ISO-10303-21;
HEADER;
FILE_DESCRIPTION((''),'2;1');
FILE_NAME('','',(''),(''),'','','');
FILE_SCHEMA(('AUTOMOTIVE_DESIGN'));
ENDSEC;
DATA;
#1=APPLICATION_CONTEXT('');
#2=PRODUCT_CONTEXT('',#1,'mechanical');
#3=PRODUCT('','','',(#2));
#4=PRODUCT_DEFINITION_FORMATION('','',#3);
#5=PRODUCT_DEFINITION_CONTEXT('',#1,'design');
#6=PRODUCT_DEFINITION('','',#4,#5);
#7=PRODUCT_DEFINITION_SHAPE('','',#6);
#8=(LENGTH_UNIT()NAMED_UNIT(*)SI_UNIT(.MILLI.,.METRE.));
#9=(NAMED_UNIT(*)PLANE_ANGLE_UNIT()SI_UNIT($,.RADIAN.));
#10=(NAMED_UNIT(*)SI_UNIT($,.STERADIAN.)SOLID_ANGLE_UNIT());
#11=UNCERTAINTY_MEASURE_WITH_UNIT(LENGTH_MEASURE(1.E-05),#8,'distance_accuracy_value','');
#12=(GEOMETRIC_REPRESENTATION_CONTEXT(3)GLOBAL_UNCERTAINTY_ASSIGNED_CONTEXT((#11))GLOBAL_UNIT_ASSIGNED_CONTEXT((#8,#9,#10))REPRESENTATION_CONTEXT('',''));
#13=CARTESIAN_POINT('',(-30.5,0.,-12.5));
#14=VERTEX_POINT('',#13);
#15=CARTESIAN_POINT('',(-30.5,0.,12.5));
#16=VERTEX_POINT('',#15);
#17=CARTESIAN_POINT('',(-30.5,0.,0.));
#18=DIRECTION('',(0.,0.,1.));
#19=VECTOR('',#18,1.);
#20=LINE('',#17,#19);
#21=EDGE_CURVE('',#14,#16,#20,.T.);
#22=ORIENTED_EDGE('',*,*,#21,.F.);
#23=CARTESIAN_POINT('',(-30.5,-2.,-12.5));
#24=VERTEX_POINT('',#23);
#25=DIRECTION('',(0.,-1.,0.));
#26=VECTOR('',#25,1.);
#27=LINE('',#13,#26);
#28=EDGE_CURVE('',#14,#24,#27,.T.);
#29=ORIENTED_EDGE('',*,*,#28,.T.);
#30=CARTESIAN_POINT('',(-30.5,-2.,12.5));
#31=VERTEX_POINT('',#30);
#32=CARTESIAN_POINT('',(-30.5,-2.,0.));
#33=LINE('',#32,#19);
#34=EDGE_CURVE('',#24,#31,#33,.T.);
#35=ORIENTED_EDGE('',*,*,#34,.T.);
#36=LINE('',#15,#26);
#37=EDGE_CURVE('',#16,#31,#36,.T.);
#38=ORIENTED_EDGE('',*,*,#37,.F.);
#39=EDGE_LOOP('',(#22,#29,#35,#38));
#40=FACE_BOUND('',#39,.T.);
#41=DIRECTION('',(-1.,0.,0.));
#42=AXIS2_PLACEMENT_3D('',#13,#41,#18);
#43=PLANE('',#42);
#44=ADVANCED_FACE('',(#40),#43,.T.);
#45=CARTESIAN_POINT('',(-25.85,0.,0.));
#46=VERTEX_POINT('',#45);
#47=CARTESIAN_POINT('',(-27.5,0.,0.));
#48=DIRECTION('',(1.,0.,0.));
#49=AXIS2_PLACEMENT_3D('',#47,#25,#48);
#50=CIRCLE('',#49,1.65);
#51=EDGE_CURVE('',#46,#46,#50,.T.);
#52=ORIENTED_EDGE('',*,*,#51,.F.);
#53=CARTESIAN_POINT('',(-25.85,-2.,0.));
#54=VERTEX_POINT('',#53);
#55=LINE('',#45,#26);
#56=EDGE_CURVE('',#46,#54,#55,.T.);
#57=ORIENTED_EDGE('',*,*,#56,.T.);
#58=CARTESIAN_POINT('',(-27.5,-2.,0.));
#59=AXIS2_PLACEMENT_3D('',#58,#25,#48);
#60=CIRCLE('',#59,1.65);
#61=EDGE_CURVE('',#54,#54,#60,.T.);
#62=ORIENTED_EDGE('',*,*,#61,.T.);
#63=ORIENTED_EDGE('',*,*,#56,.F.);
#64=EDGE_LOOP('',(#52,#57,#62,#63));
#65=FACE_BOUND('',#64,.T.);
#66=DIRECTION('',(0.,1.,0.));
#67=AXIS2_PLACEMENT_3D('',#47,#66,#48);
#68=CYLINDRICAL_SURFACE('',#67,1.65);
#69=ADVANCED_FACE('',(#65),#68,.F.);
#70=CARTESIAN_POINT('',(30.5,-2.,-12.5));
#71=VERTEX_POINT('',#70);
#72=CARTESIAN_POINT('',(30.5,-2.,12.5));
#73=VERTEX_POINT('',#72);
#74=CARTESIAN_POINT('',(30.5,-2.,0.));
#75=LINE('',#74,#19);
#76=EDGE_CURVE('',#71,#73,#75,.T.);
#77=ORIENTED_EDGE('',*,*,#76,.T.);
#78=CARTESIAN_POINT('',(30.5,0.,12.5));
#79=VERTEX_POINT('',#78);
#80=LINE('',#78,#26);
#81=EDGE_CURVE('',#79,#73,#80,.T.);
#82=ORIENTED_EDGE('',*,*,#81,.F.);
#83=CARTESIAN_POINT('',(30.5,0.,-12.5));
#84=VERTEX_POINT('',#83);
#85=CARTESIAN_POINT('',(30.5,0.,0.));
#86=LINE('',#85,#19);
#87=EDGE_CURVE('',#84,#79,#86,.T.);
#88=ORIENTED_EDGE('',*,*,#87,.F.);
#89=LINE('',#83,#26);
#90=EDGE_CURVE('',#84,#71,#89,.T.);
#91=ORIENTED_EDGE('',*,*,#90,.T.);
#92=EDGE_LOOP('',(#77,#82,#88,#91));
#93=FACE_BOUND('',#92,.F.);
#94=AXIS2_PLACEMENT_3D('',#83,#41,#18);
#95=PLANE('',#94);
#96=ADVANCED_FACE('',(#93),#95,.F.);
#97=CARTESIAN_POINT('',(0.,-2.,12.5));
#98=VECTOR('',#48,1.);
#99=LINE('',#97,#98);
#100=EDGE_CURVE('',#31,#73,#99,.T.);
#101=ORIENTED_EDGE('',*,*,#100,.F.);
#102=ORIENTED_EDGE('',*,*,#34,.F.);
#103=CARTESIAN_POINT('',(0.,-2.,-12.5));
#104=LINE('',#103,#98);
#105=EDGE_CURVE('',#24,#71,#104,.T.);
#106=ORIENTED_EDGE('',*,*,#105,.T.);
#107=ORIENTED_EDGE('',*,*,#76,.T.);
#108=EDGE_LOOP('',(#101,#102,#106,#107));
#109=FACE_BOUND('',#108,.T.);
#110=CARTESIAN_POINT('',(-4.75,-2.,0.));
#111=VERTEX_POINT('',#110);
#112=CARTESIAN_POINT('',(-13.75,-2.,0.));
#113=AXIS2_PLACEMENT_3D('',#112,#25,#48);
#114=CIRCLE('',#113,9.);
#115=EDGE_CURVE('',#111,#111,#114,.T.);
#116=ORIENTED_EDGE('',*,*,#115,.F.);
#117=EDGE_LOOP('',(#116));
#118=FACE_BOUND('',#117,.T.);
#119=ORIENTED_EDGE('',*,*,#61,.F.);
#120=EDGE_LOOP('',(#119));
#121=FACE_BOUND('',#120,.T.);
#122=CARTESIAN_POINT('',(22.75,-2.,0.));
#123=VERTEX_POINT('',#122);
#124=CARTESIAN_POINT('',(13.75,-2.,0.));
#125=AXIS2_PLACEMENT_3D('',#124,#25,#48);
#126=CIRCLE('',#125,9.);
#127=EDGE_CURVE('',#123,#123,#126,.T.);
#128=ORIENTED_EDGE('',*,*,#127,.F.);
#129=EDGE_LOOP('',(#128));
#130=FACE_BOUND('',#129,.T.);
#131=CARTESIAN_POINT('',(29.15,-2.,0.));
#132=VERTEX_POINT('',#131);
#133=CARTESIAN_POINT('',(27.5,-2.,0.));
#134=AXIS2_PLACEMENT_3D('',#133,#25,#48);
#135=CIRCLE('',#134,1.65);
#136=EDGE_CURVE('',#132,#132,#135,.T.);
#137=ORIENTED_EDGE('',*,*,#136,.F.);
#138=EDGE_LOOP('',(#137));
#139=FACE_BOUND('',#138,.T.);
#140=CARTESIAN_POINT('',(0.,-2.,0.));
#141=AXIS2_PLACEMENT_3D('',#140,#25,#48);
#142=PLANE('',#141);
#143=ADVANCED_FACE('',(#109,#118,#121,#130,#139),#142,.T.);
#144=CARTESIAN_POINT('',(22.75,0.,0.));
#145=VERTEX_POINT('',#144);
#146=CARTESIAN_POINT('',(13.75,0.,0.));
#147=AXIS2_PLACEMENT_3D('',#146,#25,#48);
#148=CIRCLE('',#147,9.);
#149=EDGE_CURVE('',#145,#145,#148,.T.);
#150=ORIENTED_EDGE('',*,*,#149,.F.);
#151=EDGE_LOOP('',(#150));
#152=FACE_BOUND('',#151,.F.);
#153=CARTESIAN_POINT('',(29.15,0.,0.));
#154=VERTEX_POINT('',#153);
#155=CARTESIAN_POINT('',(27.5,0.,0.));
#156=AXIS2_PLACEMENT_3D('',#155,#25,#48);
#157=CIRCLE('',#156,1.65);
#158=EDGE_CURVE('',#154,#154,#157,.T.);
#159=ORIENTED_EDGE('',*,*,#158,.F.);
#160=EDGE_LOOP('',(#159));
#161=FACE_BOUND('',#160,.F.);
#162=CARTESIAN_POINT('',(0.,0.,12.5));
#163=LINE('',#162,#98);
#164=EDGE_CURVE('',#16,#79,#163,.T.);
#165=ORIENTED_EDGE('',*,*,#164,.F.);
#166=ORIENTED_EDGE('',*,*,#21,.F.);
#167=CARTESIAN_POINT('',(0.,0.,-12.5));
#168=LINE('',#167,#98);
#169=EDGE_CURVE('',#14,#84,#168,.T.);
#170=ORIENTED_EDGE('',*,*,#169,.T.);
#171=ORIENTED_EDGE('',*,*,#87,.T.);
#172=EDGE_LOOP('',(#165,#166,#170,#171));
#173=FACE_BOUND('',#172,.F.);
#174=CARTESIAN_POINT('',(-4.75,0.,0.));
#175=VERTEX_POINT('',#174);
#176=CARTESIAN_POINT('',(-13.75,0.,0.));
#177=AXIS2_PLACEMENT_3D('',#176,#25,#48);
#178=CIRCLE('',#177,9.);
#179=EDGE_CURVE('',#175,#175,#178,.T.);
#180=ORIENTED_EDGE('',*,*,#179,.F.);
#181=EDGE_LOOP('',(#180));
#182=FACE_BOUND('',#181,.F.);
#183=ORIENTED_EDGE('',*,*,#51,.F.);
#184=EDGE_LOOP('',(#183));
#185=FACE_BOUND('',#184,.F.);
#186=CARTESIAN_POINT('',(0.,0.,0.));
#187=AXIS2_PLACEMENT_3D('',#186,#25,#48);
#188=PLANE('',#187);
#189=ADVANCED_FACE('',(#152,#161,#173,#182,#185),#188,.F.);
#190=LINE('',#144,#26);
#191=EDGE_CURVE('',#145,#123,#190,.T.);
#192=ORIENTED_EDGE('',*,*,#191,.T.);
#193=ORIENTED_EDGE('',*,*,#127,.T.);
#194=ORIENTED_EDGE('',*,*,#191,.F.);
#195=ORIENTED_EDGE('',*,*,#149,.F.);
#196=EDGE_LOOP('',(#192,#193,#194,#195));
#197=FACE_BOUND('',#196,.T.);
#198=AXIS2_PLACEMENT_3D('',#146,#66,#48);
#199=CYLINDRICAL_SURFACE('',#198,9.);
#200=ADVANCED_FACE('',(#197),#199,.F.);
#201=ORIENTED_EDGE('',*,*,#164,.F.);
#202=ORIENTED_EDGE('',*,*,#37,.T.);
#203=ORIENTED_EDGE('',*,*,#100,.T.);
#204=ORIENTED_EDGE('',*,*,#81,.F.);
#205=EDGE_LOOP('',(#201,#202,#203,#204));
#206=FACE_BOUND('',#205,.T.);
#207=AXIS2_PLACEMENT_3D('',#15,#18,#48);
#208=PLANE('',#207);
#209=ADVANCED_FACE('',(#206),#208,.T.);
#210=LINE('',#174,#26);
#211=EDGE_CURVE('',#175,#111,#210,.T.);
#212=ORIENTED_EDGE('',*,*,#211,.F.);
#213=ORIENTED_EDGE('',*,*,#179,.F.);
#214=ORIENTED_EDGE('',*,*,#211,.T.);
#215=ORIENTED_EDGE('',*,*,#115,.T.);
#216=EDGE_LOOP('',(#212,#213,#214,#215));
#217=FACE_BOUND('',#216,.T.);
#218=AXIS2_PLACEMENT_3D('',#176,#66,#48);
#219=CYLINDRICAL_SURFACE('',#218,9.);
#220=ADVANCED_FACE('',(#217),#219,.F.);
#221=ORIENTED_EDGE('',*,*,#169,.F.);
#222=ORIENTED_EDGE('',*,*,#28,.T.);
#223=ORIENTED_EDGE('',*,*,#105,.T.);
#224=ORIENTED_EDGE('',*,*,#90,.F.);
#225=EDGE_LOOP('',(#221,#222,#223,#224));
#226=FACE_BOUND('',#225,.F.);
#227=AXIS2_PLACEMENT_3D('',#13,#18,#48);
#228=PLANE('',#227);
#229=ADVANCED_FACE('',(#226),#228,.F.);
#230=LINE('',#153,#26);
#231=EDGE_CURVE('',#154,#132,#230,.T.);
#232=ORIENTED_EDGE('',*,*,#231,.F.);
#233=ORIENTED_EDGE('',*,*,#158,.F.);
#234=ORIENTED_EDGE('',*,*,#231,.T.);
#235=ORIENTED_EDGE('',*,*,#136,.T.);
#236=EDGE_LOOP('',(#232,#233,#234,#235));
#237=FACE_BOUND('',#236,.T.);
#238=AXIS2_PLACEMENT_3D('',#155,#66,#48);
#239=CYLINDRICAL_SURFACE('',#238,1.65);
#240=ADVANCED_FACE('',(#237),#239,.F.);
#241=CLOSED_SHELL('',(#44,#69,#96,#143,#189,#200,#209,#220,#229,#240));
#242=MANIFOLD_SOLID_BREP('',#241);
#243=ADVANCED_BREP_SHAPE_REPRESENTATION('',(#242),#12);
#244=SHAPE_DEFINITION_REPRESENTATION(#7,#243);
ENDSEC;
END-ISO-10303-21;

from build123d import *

# Parameters (mm, degrees)
F0_W     = 61
F0_H     = 25
F0_R     = 1.65
F0_R_2   = 9
F1_DEPTH = 2


with BuildPart() as f1:
    # F0 (on Front) → F1 (new body)
    with BuildSketch(Plane.XZ):
        Rectangle(F0_W, F0_H)
        with Locations((-27.5, 0)):
            Circle(F0_R, mode=Mode.SUBTRACT)
        with Locations((-13.75, 0)):
            Circle(F0_R_2, mode=Mode.SUBTRACT)
        with Locations((13.75, 0)):
            Circle(F0_R_2, mode=Mode.SUBTRACT)
        with Locations((27.5, 0)):
            Circle(F0_R, mode=Mode.SUBTRACT)
    extrude(amount=F1_DEPTH)


solid = f1.part
